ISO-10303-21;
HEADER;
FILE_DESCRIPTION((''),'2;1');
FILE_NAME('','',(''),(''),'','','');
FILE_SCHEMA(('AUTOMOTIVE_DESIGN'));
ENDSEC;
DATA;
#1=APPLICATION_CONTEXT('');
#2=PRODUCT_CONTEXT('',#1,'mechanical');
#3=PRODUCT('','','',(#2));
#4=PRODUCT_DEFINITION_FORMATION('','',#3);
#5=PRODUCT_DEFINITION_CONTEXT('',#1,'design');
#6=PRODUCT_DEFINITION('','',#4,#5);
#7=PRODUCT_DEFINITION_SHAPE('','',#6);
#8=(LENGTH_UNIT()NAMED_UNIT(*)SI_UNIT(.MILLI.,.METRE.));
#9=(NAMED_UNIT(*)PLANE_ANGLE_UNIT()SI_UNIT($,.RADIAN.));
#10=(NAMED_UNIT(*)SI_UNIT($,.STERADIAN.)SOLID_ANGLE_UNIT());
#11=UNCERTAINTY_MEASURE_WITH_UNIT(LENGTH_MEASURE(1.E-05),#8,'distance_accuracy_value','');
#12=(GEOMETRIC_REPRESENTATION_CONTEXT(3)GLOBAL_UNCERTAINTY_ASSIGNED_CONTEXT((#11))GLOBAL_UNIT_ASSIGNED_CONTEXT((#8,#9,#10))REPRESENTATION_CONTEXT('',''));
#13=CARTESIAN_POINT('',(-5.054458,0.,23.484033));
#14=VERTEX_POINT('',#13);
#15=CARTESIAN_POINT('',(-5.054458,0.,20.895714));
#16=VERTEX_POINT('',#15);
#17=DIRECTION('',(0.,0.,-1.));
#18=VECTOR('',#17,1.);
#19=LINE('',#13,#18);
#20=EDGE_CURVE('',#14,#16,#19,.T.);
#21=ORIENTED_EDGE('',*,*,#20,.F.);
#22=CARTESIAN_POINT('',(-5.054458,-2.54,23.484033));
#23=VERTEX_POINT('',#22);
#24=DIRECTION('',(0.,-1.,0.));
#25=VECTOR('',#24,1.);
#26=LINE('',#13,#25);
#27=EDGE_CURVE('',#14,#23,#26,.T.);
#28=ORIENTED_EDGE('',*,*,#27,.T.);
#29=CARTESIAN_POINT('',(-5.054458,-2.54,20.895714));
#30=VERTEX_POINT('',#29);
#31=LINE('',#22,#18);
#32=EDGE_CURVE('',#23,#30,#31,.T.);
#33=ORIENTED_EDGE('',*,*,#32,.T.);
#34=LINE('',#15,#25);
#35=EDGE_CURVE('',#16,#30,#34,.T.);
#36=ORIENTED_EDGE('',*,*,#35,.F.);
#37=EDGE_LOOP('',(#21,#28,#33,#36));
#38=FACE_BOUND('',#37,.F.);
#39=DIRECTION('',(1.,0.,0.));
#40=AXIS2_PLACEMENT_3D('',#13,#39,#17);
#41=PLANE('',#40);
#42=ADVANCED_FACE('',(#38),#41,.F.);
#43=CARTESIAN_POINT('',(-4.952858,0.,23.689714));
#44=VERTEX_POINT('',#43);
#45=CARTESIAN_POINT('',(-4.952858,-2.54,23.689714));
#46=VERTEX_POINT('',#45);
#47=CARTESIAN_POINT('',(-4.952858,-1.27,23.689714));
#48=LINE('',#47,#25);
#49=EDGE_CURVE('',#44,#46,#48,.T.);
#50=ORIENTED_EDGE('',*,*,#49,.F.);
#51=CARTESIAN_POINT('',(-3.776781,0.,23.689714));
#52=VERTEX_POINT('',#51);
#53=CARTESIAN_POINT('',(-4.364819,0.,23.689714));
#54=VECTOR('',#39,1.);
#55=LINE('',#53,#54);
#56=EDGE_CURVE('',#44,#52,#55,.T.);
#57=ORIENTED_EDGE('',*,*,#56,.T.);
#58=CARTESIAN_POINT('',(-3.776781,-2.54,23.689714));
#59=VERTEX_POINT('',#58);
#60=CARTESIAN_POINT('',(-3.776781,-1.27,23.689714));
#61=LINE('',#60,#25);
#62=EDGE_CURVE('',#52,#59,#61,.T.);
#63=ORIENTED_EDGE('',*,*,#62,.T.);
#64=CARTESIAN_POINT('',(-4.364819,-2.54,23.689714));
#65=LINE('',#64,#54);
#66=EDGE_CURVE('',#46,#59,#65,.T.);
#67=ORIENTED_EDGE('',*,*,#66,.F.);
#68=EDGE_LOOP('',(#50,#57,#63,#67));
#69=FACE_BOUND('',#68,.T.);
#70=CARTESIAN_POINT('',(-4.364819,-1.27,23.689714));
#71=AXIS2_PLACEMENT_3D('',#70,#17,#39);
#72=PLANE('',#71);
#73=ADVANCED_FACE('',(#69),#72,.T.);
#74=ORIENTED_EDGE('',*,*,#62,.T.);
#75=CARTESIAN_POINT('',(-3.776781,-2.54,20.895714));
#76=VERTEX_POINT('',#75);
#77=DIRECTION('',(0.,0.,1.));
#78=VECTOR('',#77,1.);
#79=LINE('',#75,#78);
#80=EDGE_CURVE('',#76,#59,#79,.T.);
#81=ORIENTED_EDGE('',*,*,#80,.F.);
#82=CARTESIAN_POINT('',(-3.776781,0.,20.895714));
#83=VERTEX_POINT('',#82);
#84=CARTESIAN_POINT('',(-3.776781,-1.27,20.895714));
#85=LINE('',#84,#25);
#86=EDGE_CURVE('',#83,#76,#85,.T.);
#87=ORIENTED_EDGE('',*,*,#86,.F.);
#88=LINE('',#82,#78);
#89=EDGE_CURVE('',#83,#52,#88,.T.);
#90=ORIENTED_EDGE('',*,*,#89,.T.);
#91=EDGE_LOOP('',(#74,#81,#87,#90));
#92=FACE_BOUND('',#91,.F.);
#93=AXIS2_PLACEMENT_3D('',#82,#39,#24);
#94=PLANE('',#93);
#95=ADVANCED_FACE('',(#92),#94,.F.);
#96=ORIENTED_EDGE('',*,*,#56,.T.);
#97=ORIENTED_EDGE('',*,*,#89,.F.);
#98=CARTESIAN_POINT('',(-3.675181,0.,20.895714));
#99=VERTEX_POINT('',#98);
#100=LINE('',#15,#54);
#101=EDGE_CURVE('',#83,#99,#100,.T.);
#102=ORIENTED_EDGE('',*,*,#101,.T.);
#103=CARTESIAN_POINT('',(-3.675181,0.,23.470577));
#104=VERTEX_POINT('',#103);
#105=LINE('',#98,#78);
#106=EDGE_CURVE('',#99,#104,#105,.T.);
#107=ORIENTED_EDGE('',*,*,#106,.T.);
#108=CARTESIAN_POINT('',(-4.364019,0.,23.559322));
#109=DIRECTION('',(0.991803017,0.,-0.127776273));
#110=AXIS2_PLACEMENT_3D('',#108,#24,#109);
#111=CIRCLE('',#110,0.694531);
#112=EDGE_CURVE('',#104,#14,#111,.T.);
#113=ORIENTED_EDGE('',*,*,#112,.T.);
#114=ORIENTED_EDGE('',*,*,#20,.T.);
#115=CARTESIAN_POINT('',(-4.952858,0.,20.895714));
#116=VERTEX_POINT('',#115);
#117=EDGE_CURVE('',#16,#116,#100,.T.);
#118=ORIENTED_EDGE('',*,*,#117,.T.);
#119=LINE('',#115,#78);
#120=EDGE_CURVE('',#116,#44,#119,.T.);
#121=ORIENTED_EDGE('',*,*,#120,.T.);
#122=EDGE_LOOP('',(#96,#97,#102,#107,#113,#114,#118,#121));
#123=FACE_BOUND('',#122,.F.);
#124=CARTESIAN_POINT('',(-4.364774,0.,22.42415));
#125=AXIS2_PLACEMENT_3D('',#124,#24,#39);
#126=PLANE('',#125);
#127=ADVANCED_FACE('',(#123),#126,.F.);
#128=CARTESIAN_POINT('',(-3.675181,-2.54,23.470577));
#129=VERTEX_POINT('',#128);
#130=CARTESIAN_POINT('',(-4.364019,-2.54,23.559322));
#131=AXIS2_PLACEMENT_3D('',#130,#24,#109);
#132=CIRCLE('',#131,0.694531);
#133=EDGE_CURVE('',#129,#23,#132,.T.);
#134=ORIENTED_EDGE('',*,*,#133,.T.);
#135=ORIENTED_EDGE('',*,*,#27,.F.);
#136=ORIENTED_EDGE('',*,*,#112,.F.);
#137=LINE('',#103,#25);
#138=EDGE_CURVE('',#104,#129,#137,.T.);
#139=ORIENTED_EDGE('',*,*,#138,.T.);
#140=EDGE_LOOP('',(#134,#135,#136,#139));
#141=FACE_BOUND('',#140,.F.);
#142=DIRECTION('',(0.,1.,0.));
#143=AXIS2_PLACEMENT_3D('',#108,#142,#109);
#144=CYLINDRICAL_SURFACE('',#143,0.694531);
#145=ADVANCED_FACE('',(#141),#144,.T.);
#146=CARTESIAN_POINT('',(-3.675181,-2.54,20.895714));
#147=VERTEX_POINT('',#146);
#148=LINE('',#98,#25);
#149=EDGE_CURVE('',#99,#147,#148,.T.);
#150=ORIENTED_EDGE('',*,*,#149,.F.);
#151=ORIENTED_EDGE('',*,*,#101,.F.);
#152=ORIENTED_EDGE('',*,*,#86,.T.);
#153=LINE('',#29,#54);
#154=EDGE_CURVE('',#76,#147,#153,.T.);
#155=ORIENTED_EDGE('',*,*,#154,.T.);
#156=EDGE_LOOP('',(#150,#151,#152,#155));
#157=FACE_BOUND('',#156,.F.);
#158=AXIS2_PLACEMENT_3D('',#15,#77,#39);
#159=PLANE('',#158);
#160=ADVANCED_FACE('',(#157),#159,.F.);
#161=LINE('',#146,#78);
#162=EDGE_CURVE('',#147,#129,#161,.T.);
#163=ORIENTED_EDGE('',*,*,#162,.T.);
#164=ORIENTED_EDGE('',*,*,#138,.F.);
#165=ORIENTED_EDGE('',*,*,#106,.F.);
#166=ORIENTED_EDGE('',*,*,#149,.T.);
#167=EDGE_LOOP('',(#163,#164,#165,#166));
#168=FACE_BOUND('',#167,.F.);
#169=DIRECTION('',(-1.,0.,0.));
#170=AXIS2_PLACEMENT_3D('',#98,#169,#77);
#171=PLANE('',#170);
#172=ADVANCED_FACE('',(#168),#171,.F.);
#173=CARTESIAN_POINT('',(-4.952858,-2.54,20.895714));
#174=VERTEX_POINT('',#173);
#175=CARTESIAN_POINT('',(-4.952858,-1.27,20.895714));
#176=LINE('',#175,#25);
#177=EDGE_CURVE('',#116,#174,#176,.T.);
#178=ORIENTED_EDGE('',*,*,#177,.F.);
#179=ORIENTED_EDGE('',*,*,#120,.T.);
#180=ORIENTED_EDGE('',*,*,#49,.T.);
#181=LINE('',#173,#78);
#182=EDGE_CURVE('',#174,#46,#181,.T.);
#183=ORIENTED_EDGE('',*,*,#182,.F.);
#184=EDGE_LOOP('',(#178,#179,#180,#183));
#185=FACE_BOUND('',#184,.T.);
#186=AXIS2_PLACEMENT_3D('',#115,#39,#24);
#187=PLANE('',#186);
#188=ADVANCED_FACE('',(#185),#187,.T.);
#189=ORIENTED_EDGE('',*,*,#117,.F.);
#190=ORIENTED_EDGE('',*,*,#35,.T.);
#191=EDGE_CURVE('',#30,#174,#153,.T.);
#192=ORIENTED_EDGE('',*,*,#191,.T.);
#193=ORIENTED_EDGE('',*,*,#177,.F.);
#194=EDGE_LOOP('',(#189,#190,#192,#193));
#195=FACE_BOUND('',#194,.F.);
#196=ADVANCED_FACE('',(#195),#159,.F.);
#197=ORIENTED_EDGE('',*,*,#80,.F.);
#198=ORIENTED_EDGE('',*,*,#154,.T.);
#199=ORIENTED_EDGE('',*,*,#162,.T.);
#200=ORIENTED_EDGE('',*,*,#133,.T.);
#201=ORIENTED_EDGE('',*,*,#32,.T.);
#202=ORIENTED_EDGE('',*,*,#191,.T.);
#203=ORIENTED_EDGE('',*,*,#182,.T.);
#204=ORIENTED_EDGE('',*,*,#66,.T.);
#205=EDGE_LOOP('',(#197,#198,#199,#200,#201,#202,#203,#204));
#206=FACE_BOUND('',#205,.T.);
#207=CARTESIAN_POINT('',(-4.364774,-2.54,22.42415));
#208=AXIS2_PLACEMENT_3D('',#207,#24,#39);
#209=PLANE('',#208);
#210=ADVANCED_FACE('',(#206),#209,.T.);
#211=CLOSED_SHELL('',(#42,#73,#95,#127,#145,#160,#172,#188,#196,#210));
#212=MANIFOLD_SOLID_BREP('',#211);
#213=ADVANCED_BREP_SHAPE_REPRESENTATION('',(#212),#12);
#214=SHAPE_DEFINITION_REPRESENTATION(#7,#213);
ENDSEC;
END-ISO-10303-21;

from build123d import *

# Parameters (mm, degrees)
F1_DEPTH = 2.54
F2_W     = 1.176077
F2_H     = 2.54
F3_DEPTH = 2.794


with BuildPart() as f1:
    # F0 (on Front) → F1 (new body)
    with BuildSketch(Plane.XZ):
        with BuildLine():
            Line((-3.675181, 20.895714), (-3.675181, 23.470577))
            ThreePointArc((-3.675181, 23.470577), (-4.357243, 24.25382), (-5.054458, 23.484033))
            Line((-5.054458, 23.484033), (-5.054458, 20.895714))
            Line((-5.054458, 20.895714), (-3.675181, 20.895714))
        make_face()
    extrude(amount=F1_DEPTH)

    # F2 (on face) → F3 (cut)
    with BuildSketch(Plane(origin=(0, 0, 20.895714), x_dir=(1, 0, 0), z_dir=(0, 0, -1))):
        with Locations((-4.364819, 1.27)):
            Rectangle(F2_W, F2_H)
    extrude(amount=-F3_DEPTH, mode=Mode.SUBTRACT)


solid = f1.part
